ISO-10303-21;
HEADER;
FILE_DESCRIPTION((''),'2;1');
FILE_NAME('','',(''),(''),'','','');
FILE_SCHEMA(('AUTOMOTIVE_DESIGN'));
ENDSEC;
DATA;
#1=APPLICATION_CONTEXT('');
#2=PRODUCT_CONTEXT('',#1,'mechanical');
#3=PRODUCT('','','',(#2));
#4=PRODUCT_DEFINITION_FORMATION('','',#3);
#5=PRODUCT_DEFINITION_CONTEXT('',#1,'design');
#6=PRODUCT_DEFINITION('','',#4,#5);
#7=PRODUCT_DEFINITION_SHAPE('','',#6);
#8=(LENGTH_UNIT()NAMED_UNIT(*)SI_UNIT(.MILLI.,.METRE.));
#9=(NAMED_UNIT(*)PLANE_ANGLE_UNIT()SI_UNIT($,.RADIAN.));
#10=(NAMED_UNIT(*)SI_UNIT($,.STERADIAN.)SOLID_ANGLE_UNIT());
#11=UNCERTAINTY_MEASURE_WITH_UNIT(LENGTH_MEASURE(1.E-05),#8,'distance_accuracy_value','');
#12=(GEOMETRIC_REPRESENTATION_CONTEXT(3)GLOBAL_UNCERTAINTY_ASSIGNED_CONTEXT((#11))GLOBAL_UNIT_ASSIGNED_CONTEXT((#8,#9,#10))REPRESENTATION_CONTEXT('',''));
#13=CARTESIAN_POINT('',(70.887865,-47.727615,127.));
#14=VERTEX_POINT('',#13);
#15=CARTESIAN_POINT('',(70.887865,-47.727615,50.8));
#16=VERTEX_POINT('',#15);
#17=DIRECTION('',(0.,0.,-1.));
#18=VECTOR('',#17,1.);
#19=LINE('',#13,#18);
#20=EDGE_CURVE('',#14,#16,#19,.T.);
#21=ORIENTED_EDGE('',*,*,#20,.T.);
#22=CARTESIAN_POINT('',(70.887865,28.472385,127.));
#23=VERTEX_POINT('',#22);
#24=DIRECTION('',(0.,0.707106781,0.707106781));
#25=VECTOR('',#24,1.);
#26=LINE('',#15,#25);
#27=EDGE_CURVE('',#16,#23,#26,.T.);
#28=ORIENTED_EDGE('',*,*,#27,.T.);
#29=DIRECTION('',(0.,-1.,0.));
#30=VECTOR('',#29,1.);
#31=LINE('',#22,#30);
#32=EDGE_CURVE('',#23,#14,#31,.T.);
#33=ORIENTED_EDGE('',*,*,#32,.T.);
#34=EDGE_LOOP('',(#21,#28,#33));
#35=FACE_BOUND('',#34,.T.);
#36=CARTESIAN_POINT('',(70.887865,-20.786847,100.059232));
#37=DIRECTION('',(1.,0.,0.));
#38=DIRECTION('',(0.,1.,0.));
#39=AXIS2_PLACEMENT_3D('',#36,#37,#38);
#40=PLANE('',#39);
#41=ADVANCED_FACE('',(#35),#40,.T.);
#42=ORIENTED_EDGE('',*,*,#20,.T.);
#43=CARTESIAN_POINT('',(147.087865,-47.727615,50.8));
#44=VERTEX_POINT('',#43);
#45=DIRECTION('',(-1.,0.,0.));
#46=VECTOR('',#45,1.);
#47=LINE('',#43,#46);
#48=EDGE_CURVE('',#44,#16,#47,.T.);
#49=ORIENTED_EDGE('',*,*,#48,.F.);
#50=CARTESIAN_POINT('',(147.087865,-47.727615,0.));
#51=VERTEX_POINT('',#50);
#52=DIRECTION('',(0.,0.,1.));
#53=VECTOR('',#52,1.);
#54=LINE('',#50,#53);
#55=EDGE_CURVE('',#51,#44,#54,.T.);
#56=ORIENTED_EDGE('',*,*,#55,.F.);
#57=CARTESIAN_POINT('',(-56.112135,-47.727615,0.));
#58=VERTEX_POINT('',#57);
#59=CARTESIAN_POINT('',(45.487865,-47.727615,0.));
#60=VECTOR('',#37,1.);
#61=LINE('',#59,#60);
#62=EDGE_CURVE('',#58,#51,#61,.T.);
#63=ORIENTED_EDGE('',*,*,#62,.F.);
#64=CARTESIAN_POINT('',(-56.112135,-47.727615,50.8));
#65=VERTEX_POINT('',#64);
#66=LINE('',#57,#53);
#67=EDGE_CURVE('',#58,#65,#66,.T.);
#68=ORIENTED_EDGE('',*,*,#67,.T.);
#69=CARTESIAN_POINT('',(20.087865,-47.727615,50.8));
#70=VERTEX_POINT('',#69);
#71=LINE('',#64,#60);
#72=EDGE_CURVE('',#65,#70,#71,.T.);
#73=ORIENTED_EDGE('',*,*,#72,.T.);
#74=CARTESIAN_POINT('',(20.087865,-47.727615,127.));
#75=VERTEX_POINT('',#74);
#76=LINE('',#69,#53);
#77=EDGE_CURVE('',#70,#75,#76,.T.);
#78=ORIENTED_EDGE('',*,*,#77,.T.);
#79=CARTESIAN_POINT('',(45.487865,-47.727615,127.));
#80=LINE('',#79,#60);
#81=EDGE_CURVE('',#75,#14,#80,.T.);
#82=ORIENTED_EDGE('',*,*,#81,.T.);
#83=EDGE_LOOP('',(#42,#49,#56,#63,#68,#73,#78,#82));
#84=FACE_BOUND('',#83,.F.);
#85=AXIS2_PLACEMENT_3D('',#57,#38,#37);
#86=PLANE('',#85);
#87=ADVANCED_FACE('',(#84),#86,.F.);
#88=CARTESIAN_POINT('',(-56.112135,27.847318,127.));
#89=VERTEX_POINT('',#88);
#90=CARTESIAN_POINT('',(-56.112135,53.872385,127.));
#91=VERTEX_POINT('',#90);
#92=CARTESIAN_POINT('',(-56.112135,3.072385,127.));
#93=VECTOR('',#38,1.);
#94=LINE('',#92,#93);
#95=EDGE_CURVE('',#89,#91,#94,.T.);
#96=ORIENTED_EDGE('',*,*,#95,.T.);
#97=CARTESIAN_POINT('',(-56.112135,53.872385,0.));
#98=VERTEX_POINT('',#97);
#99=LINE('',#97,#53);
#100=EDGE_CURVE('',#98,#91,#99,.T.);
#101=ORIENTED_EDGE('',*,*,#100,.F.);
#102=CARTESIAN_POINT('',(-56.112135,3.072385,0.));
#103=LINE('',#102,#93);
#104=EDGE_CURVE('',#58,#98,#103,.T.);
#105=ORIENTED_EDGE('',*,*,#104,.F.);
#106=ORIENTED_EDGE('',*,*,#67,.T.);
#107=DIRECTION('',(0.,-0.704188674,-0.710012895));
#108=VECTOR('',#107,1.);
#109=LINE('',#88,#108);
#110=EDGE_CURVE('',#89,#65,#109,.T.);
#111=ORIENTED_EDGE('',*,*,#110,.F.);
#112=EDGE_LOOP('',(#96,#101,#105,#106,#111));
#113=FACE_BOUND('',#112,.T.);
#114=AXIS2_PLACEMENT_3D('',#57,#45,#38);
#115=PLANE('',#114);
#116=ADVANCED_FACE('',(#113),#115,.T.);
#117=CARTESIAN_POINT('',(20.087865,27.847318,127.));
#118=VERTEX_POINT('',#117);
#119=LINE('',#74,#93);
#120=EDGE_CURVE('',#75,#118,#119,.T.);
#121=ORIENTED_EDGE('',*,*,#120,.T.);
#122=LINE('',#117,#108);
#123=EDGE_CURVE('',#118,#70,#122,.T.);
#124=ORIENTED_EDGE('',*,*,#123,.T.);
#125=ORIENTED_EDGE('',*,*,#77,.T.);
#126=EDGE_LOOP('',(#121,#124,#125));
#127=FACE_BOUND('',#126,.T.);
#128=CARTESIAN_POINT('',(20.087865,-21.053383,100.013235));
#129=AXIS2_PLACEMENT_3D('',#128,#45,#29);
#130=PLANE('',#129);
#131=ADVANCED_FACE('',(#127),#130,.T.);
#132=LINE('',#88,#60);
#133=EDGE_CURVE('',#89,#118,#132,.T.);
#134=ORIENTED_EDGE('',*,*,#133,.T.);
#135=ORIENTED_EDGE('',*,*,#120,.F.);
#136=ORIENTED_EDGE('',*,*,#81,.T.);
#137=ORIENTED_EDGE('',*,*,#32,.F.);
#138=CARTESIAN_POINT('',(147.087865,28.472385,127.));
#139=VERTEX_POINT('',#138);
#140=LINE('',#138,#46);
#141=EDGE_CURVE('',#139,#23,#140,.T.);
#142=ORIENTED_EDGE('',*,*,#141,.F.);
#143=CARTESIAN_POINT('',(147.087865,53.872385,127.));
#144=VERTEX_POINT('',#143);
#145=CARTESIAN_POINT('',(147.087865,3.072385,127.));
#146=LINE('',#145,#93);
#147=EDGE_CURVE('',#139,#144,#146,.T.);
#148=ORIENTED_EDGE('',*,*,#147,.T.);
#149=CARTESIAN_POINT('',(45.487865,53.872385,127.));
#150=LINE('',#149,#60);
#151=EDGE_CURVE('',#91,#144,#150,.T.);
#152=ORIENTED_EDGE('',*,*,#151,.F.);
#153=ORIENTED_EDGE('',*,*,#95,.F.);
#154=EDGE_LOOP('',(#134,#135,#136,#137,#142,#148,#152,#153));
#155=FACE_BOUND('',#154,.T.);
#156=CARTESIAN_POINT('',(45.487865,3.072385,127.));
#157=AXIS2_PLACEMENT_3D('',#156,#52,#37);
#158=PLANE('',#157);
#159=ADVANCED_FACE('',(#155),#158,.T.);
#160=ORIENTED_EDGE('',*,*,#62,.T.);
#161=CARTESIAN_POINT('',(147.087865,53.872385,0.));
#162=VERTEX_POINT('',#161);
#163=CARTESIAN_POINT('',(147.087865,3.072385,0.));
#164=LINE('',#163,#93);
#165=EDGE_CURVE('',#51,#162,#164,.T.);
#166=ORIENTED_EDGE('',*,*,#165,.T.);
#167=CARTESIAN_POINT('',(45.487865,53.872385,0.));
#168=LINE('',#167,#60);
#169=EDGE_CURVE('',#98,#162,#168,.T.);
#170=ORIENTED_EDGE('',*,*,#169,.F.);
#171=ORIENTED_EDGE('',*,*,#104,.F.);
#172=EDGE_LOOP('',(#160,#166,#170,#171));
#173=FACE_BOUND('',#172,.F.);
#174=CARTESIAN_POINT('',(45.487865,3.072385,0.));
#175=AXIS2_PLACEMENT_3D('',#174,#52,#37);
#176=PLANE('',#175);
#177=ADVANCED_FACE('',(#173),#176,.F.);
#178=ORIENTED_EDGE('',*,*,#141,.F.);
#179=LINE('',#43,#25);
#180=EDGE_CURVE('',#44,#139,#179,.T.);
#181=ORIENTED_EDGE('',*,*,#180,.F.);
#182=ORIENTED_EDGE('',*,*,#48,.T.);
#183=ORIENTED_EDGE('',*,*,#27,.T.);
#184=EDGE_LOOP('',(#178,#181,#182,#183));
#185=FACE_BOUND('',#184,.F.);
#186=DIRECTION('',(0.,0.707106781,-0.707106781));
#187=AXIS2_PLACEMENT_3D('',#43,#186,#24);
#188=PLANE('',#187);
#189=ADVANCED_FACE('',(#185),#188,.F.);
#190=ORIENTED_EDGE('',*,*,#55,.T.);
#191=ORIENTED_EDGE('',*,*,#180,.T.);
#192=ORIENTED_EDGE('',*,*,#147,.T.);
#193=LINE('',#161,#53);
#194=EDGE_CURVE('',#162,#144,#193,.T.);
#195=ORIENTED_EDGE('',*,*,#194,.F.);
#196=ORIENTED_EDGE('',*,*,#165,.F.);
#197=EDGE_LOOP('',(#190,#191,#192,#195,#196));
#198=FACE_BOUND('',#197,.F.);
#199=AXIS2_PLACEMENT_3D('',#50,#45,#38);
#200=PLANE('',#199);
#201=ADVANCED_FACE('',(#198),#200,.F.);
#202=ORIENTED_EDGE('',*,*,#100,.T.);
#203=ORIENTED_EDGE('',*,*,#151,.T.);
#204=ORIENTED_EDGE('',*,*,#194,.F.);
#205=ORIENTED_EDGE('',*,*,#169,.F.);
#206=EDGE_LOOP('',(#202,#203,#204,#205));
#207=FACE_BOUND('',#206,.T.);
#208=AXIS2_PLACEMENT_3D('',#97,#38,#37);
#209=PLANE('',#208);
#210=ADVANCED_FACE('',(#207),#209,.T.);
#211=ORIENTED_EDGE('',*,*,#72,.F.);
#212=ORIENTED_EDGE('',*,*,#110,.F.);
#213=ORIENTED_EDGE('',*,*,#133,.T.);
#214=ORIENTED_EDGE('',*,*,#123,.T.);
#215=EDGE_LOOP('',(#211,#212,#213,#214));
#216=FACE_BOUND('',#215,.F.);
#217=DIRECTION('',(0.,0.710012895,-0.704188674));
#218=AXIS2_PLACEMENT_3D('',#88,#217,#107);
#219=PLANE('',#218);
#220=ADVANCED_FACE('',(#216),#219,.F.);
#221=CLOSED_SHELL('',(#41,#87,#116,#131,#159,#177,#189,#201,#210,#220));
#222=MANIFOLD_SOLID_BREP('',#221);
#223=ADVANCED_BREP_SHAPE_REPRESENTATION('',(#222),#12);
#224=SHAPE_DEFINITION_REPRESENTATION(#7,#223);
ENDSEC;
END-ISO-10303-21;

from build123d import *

# Parameters (mm, degrees)
F4_W     = 203.2
F4_H     = 101.6
F5_DEPTH = 127
F1_DEPTH = 76.2
F3_DEPTH = 76.2


with BuildPart() as f5:
    # F4 (on Top) → F5 (new body)
    with BuildSketch(Plane.XY):
        with Locations((45.487865, 3.072385)):
            Rectangle(F4_W, F4_H)
    extrude(amount=F5_DEPTH)

    # F0 (on face) → F1 (cut)
    with BuildSketch(Plane.YZ.offset(147.087865)):
        Polygon((-47.727615, 50.8), (28.472385, 127), (-47.727615, 127), align=None)
    extrude(amount=-F1_DEPTH, mode=Mode.SUBTRACT)

    # F2 (on face) → F3 (cut)
    with BuildSketch(Plane(origin=(-56.112135, 0, 0), x_dir=(0, -1, 0), z_dir=(-1, 0, 0))):
        Polygon((-27.847318, 127), (47.727615, 50.8), (47.727615, 127), align=None)
    extrude(amount=-F3_DEPTH, mode=Mode.SUBTRACT)


solid = f5.part
